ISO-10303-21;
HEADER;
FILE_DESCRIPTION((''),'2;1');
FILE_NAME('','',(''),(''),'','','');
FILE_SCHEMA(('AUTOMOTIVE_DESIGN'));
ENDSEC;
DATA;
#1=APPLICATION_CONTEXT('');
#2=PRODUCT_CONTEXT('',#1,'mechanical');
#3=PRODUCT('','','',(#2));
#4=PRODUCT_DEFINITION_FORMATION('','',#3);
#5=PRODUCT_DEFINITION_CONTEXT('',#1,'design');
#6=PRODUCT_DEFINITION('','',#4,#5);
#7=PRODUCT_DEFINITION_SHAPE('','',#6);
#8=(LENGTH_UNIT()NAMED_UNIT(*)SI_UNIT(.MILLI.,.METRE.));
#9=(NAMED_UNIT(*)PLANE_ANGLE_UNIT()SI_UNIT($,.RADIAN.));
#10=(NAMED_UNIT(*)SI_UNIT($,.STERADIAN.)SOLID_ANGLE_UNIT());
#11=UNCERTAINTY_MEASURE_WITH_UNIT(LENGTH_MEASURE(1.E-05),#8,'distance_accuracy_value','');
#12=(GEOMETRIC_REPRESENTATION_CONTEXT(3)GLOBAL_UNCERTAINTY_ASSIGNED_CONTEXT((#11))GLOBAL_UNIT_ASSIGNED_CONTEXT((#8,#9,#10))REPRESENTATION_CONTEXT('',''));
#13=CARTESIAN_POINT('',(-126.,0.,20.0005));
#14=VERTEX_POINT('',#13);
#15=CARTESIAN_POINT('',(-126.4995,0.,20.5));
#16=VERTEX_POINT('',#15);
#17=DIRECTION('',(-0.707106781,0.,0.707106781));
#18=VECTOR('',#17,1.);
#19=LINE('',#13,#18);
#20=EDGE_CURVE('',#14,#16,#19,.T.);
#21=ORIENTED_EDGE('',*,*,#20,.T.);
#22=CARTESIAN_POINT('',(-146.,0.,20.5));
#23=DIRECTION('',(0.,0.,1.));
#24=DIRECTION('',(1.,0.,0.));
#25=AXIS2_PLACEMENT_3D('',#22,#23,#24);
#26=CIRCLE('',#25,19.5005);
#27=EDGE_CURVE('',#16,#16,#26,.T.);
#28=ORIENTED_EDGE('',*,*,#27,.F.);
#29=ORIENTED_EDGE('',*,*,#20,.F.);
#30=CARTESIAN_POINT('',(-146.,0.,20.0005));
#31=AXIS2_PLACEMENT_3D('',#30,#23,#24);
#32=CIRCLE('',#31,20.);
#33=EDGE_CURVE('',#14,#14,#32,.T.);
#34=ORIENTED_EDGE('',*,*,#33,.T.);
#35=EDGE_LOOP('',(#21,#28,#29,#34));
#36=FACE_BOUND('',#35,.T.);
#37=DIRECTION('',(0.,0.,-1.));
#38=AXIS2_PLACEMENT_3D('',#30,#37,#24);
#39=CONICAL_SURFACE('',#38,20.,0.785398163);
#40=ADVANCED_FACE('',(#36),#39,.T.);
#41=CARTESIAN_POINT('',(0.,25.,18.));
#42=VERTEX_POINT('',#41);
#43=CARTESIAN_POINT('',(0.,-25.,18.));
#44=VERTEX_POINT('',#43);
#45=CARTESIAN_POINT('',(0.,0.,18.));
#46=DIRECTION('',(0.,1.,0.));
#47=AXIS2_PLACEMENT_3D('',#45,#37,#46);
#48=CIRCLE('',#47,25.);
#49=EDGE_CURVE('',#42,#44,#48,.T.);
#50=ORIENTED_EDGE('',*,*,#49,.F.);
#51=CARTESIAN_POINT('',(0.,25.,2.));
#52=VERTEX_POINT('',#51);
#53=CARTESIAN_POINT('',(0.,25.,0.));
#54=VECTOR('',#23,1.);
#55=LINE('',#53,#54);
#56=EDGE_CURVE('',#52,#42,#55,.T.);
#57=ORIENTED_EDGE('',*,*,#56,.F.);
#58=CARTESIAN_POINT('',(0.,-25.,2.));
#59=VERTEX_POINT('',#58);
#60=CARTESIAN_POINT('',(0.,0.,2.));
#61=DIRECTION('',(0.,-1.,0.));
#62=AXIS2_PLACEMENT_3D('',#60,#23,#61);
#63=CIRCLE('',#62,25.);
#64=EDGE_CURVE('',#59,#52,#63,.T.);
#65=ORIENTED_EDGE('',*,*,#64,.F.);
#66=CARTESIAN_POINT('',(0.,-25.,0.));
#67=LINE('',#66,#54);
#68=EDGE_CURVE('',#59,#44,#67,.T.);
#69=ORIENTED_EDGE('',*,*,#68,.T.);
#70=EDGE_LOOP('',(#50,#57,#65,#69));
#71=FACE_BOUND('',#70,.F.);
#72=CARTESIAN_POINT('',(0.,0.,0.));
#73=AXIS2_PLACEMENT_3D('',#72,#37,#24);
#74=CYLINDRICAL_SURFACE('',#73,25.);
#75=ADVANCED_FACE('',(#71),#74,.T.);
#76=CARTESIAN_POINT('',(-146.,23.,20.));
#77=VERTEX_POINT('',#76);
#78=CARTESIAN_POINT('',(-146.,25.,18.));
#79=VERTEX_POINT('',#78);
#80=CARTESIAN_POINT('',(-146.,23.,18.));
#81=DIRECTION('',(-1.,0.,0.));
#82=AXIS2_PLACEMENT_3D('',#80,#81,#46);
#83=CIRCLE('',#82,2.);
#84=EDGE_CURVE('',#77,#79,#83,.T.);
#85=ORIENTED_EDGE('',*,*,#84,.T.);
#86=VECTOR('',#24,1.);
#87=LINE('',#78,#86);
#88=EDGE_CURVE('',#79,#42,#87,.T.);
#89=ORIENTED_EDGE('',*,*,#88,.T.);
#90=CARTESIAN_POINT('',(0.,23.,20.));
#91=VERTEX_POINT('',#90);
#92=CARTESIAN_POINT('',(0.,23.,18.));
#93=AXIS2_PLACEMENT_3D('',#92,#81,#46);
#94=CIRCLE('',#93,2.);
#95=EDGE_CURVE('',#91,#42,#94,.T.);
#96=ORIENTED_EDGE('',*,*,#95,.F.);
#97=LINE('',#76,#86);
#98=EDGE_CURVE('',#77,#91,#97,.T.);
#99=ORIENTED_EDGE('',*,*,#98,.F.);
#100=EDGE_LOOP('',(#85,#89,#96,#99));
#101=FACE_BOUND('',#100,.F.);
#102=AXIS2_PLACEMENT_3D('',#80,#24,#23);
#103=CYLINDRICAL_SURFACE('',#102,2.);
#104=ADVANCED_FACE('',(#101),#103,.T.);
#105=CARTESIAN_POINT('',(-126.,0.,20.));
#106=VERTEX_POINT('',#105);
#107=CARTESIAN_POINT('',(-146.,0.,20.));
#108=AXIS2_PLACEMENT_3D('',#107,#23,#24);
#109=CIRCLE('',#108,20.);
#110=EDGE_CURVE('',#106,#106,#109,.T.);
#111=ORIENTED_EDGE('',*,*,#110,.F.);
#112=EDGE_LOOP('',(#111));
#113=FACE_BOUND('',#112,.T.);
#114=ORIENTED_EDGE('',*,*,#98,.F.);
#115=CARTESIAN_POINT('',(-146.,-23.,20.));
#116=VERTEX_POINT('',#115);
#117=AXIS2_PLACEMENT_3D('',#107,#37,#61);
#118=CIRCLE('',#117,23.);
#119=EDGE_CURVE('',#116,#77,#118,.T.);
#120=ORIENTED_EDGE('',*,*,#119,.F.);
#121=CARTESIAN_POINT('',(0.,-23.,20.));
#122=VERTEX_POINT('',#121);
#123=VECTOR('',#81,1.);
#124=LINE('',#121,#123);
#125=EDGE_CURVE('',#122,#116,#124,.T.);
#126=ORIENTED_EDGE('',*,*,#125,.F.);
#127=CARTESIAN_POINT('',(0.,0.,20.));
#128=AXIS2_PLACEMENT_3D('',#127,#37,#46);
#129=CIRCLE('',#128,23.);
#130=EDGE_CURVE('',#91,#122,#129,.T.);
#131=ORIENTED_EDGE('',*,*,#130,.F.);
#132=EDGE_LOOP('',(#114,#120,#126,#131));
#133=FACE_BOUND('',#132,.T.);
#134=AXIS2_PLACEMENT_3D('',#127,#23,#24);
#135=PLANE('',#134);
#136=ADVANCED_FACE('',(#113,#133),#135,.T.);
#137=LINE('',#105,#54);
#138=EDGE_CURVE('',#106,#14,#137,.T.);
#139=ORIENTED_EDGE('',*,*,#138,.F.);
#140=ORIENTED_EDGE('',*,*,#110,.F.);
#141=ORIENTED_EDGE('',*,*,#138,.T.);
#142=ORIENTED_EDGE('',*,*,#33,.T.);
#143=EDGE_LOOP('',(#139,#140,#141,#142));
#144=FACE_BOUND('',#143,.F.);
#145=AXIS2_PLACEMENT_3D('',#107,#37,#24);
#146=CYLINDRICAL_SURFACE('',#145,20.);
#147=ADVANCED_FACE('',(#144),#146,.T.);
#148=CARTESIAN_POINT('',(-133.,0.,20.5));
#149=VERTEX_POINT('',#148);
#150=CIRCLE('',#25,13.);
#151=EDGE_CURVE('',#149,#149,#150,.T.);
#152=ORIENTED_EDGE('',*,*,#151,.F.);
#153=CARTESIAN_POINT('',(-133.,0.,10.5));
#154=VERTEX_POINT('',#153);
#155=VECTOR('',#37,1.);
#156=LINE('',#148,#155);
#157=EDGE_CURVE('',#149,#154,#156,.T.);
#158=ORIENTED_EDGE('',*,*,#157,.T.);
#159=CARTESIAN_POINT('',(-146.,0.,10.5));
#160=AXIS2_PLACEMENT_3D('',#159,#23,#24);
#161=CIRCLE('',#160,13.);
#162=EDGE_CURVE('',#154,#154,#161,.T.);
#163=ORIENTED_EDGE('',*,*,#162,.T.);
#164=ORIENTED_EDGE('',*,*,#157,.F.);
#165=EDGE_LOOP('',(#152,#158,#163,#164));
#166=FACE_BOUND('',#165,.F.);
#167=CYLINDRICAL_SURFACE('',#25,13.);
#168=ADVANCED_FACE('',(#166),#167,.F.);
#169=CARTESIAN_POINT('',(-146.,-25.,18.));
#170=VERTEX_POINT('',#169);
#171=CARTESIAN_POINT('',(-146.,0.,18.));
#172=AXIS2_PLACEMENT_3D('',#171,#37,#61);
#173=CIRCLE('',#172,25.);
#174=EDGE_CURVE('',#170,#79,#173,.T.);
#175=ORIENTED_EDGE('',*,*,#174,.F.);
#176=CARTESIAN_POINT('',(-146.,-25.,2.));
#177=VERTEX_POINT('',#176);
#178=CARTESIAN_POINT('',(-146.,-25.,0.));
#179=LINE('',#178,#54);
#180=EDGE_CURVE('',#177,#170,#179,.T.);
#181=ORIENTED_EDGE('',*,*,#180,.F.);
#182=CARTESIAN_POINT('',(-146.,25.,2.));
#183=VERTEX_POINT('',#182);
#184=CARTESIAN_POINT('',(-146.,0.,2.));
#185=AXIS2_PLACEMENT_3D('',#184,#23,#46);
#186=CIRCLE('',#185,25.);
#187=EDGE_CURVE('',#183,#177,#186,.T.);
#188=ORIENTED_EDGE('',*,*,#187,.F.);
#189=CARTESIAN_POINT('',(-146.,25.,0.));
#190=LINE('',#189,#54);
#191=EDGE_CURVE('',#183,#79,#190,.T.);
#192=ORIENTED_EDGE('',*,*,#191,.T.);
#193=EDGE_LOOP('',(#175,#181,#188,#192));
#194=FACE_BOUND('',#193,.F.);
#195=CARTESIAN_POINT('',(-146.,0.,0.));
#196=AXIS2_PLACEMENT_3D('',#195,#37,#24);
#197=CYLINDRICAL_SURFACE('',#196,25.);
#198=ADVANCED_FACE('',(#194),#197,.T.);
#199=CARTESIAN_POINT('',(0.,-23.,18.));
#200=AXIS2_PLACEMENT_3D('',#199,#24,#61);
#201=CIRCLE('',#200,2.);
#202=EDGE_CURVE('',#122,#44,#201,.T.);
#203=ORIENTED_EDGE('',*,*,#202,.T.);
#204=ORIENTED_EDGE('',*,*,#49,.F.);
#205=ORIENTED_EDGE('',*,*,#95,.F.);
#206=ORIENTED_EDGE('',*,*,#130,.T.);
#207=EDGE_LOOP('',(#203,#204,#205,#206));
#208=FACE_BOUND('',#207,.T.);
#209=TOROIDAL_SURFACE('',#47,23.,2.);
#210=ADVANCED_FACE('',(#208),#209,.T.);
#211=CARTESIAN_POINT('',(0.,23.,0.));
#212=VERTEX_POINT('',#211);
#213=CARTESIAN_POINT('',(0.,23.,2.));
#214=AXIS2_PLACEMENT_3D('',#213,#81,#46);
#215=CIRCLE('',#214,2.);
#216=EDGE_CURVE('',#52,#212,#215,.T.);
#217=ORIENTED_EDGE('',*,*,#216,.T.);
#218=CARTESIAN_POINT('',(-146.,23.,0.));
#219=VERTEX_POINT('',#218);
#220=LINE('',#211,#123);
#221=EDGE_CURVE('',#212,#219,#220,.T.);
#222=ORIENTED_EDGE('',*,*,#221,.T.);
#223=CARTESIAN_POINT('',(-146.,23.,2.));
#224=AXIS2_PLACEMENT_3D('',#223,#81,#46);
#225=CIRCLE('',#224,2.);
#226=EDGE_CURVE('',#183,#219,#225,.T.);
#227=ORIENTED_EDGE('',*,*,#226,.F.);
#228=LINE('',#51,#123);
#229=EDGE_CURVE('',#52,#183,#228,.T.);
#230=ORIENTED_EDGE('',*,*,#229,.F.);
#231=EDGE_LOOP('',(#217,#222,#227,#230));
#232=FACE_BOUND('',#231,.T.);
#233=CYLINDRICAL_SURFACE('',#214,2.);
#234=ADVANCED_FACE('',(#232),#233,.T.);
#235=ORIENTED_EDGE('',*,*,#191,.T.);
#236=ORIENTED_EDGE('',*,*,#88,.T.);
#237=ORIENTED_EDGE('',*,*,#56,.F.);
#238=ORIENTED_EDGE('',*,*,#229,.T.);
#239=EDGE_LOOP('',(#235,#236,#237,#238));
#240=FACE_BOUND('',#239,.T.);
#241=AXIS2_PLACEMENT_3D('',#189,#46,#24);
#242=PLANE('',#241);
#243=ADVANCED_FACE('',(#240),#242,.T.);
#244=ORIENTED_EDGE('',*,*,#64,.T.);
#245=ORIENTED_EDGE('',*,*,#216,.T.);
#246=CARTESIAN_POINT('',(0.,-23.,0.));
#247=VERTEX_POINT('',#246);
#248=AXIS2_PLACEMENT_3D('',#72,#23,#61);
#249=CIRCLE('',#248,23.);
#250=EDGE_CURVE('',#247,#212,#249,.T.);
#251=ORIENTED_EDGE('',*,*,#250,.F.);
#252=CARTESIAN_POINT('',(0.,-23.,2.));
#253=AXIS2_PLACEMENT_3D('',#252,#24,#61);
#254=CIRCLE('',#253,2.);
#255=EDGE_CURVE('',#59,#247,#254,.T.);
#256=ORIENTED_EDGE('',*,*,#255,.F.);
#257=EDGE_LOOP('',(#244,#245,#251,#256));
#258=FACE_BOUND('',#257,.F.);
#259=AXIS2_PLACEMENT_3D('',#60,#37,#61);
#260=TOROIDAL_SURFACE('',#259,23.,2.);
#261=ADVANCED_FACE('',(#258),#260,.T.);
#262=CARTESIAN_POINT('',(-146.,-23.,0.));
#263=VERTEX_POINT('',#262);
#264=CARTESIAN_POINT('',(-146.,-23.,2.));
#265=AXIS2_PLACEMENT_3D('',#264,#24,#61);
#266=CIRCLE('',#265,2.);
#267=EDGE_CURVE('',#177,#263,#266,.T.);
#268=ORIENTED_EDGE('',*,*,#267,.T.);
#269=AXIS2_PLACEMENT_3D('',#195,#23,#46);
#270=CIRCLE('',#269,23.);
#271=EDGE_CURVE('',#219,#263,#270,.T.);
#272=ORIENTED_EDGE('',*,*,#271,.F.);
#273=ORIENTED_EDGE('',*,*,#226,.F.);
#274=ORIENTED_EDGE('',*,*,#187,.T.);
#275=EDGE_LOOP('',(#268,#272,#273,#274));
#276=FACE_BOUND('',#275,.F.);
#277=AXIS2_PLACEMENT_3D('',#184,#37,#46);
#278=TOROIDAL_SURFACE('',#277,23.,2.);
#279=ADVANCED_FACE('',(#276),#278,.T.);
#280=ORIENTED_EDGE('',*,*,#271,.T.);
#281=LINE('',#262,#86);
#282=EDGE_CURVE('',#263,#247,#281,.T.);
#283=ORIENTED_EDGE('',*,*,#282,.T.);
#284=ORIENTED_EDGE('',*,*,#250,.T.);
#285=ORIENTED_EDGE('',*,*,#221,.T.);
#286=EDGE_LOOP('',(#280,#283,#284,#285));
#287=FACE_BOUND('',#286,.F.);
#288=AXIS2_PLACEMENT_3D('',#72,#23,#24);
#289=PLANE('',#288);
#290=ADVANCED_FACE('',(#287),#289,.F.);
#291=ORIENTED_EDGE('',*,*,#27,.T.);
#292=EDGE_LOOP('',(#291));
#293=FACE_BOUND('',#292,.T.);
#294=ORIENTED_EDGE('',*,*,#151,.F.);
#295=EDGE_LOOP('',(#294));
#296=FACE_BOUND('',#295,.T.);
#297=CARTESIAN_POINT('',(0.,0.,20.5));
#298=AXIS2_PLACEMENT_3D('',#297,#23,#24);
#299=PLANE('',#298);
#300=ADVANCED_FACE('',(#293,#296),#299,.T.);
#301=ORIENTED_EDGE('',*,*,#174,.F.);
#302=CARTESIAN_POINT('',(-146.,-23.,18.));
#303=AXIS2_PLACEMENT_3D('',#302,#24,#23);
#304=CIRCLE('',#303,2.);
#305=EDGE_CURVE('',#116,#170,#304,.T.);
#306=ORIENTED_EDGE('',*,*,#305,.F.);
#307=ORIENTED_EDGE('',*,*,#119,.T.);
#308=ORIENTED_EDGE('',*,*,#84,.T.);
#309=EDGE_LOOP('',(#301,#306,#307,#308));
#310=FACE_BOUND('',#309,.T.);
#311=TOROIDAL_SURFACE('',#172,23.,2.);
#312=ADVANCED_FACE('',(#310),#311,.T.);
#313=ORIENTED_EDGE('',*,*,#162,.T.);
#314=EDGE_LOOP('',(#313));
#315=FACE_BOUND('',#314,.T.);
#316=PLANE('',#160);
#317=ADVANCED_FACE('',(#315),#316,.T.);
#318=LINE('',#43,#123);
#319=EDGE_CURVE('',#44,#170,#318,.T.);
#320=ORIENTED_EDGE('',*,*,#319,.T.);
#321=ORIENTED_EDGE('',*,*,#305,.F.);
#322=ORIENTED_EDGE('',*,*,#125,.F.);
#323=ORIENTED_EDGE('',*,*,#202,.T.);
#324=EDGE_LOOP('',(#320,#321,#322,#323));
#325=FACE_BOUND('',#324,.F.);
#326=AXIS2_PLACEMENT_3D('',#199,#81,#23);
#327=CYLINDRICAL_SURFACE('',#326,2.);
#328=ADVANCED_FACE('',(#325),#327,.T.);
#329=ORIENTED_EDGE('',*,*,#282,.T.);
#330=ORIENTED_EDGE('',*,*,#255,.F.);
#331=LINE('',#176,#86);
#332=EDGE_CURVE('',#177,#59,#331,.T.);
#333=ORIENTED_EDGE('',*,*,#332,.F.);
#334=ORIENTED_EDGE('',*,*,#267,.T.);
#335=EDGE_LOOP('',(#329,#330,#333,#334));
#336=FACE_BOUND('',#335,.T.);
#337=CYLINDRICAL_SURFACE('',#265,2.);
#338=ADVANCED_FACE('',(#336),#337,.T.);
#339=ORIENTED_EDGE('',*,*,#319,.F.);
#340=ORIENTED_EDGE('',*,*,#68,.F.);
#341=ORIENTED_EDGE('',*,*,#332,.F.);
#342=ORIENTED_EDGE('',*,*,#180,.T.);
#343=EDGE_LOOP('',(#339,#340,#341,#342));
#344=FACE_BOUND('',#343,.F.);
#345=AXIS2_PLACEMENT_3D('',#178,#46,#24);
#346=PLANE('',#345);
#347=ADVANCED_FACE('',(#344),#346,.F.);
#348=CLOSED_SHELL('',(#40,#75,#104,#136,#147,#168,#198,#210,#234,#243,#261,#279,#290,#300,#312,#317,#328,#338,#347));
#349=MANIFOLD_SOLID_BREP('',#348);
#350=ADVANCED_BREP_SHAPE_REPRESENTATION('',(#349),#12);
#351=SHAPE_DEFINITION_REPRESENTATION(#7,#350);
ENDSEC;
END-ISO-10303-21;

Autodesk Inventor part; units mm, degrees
ref_plane "YZ Plane" through (0, 0, 0) normal (1, 0, 0) x (0, 1, 0)
ref_plane "XZ Plane" through (0, 0, 0) normal (0, 1, 0) x (-1, 0, 0)
ref_plane "XY Plane" through (0, 0, 0) normal (0, 0, 1) x (1, 0, 0)
sketch "Sketch1" plane through (0, 0, 0) normal (0, 0, 1) x (1, 0, 0)
  circle A0 centre (0, 0) radius 25
  circle A1 centre (-146, 0) radius 25
  line L0 (-146, 25) -> (0, 25)
  line L1 (-146, -25) -> (0, -25)
  point P0 (-171, 0)
  point P1 (25, 0)
  dimension "d0" = 50
  dimension "d1" = 196
extrude "Extrusion1" add sketch "Sketch1" along normal blind 20
sketch "Sketch2" plane through (0, 0, 20) normal (0, 0, 1) x (1, 0, 0)
  arc A0 (0, -25) -> (0, 25) centre (0, 0) ccw projected
  line L0 (0, 25) -> (-146, 25) projected
  arc A1 (-146, 25) -> (-146, -25) centre (-146, 0) ccw projected
  line L1 (-146, -25) -> (0, -25) projected
  circle A2 centre (-146, 0) radius 20
  dimension "d4" = 40
extrude "Extrusion2" add sketch "Sketch2" along normal blind 0.5 contours A2
chamfer "Chamfer1" distance 0.5 angle 45 1 edges at (-166, 0, 20.5)
sketch "Sketch3" plane through (-146, 0, 20.5) normal (0, 0, 1) x (1, 0, 0)
  circle A0 centre (0, 0) radius 20 projected
  arc A1 (146, -25) -> (146, 25) centre (146, 0) ccw projected
  line L0 (146, 25) -> (0, 25) projected
  arc A2 (0, 25) -> (0, -25) centre (0, 0) ccw projected
  line L1 (0, -25) -> (146, -25) projected
  circle A3 centre (0, 0) radius 13
  dimension "d10" = 26
extrude "Extrusion3" cut sketch "Sketch3" against normal blind 10 contours A3
fillet "Fillet1" radius 2 8 edges at (25, 0, 20) (-73, 25, 20) (-171, 0, 20) (-73, -25, 20) (25, 0, 0) (-73, 25, 0) (-171, 0, 0) (-73, -25, 0)
properties part number "HMI arm bewegende deel" material "Steel"
